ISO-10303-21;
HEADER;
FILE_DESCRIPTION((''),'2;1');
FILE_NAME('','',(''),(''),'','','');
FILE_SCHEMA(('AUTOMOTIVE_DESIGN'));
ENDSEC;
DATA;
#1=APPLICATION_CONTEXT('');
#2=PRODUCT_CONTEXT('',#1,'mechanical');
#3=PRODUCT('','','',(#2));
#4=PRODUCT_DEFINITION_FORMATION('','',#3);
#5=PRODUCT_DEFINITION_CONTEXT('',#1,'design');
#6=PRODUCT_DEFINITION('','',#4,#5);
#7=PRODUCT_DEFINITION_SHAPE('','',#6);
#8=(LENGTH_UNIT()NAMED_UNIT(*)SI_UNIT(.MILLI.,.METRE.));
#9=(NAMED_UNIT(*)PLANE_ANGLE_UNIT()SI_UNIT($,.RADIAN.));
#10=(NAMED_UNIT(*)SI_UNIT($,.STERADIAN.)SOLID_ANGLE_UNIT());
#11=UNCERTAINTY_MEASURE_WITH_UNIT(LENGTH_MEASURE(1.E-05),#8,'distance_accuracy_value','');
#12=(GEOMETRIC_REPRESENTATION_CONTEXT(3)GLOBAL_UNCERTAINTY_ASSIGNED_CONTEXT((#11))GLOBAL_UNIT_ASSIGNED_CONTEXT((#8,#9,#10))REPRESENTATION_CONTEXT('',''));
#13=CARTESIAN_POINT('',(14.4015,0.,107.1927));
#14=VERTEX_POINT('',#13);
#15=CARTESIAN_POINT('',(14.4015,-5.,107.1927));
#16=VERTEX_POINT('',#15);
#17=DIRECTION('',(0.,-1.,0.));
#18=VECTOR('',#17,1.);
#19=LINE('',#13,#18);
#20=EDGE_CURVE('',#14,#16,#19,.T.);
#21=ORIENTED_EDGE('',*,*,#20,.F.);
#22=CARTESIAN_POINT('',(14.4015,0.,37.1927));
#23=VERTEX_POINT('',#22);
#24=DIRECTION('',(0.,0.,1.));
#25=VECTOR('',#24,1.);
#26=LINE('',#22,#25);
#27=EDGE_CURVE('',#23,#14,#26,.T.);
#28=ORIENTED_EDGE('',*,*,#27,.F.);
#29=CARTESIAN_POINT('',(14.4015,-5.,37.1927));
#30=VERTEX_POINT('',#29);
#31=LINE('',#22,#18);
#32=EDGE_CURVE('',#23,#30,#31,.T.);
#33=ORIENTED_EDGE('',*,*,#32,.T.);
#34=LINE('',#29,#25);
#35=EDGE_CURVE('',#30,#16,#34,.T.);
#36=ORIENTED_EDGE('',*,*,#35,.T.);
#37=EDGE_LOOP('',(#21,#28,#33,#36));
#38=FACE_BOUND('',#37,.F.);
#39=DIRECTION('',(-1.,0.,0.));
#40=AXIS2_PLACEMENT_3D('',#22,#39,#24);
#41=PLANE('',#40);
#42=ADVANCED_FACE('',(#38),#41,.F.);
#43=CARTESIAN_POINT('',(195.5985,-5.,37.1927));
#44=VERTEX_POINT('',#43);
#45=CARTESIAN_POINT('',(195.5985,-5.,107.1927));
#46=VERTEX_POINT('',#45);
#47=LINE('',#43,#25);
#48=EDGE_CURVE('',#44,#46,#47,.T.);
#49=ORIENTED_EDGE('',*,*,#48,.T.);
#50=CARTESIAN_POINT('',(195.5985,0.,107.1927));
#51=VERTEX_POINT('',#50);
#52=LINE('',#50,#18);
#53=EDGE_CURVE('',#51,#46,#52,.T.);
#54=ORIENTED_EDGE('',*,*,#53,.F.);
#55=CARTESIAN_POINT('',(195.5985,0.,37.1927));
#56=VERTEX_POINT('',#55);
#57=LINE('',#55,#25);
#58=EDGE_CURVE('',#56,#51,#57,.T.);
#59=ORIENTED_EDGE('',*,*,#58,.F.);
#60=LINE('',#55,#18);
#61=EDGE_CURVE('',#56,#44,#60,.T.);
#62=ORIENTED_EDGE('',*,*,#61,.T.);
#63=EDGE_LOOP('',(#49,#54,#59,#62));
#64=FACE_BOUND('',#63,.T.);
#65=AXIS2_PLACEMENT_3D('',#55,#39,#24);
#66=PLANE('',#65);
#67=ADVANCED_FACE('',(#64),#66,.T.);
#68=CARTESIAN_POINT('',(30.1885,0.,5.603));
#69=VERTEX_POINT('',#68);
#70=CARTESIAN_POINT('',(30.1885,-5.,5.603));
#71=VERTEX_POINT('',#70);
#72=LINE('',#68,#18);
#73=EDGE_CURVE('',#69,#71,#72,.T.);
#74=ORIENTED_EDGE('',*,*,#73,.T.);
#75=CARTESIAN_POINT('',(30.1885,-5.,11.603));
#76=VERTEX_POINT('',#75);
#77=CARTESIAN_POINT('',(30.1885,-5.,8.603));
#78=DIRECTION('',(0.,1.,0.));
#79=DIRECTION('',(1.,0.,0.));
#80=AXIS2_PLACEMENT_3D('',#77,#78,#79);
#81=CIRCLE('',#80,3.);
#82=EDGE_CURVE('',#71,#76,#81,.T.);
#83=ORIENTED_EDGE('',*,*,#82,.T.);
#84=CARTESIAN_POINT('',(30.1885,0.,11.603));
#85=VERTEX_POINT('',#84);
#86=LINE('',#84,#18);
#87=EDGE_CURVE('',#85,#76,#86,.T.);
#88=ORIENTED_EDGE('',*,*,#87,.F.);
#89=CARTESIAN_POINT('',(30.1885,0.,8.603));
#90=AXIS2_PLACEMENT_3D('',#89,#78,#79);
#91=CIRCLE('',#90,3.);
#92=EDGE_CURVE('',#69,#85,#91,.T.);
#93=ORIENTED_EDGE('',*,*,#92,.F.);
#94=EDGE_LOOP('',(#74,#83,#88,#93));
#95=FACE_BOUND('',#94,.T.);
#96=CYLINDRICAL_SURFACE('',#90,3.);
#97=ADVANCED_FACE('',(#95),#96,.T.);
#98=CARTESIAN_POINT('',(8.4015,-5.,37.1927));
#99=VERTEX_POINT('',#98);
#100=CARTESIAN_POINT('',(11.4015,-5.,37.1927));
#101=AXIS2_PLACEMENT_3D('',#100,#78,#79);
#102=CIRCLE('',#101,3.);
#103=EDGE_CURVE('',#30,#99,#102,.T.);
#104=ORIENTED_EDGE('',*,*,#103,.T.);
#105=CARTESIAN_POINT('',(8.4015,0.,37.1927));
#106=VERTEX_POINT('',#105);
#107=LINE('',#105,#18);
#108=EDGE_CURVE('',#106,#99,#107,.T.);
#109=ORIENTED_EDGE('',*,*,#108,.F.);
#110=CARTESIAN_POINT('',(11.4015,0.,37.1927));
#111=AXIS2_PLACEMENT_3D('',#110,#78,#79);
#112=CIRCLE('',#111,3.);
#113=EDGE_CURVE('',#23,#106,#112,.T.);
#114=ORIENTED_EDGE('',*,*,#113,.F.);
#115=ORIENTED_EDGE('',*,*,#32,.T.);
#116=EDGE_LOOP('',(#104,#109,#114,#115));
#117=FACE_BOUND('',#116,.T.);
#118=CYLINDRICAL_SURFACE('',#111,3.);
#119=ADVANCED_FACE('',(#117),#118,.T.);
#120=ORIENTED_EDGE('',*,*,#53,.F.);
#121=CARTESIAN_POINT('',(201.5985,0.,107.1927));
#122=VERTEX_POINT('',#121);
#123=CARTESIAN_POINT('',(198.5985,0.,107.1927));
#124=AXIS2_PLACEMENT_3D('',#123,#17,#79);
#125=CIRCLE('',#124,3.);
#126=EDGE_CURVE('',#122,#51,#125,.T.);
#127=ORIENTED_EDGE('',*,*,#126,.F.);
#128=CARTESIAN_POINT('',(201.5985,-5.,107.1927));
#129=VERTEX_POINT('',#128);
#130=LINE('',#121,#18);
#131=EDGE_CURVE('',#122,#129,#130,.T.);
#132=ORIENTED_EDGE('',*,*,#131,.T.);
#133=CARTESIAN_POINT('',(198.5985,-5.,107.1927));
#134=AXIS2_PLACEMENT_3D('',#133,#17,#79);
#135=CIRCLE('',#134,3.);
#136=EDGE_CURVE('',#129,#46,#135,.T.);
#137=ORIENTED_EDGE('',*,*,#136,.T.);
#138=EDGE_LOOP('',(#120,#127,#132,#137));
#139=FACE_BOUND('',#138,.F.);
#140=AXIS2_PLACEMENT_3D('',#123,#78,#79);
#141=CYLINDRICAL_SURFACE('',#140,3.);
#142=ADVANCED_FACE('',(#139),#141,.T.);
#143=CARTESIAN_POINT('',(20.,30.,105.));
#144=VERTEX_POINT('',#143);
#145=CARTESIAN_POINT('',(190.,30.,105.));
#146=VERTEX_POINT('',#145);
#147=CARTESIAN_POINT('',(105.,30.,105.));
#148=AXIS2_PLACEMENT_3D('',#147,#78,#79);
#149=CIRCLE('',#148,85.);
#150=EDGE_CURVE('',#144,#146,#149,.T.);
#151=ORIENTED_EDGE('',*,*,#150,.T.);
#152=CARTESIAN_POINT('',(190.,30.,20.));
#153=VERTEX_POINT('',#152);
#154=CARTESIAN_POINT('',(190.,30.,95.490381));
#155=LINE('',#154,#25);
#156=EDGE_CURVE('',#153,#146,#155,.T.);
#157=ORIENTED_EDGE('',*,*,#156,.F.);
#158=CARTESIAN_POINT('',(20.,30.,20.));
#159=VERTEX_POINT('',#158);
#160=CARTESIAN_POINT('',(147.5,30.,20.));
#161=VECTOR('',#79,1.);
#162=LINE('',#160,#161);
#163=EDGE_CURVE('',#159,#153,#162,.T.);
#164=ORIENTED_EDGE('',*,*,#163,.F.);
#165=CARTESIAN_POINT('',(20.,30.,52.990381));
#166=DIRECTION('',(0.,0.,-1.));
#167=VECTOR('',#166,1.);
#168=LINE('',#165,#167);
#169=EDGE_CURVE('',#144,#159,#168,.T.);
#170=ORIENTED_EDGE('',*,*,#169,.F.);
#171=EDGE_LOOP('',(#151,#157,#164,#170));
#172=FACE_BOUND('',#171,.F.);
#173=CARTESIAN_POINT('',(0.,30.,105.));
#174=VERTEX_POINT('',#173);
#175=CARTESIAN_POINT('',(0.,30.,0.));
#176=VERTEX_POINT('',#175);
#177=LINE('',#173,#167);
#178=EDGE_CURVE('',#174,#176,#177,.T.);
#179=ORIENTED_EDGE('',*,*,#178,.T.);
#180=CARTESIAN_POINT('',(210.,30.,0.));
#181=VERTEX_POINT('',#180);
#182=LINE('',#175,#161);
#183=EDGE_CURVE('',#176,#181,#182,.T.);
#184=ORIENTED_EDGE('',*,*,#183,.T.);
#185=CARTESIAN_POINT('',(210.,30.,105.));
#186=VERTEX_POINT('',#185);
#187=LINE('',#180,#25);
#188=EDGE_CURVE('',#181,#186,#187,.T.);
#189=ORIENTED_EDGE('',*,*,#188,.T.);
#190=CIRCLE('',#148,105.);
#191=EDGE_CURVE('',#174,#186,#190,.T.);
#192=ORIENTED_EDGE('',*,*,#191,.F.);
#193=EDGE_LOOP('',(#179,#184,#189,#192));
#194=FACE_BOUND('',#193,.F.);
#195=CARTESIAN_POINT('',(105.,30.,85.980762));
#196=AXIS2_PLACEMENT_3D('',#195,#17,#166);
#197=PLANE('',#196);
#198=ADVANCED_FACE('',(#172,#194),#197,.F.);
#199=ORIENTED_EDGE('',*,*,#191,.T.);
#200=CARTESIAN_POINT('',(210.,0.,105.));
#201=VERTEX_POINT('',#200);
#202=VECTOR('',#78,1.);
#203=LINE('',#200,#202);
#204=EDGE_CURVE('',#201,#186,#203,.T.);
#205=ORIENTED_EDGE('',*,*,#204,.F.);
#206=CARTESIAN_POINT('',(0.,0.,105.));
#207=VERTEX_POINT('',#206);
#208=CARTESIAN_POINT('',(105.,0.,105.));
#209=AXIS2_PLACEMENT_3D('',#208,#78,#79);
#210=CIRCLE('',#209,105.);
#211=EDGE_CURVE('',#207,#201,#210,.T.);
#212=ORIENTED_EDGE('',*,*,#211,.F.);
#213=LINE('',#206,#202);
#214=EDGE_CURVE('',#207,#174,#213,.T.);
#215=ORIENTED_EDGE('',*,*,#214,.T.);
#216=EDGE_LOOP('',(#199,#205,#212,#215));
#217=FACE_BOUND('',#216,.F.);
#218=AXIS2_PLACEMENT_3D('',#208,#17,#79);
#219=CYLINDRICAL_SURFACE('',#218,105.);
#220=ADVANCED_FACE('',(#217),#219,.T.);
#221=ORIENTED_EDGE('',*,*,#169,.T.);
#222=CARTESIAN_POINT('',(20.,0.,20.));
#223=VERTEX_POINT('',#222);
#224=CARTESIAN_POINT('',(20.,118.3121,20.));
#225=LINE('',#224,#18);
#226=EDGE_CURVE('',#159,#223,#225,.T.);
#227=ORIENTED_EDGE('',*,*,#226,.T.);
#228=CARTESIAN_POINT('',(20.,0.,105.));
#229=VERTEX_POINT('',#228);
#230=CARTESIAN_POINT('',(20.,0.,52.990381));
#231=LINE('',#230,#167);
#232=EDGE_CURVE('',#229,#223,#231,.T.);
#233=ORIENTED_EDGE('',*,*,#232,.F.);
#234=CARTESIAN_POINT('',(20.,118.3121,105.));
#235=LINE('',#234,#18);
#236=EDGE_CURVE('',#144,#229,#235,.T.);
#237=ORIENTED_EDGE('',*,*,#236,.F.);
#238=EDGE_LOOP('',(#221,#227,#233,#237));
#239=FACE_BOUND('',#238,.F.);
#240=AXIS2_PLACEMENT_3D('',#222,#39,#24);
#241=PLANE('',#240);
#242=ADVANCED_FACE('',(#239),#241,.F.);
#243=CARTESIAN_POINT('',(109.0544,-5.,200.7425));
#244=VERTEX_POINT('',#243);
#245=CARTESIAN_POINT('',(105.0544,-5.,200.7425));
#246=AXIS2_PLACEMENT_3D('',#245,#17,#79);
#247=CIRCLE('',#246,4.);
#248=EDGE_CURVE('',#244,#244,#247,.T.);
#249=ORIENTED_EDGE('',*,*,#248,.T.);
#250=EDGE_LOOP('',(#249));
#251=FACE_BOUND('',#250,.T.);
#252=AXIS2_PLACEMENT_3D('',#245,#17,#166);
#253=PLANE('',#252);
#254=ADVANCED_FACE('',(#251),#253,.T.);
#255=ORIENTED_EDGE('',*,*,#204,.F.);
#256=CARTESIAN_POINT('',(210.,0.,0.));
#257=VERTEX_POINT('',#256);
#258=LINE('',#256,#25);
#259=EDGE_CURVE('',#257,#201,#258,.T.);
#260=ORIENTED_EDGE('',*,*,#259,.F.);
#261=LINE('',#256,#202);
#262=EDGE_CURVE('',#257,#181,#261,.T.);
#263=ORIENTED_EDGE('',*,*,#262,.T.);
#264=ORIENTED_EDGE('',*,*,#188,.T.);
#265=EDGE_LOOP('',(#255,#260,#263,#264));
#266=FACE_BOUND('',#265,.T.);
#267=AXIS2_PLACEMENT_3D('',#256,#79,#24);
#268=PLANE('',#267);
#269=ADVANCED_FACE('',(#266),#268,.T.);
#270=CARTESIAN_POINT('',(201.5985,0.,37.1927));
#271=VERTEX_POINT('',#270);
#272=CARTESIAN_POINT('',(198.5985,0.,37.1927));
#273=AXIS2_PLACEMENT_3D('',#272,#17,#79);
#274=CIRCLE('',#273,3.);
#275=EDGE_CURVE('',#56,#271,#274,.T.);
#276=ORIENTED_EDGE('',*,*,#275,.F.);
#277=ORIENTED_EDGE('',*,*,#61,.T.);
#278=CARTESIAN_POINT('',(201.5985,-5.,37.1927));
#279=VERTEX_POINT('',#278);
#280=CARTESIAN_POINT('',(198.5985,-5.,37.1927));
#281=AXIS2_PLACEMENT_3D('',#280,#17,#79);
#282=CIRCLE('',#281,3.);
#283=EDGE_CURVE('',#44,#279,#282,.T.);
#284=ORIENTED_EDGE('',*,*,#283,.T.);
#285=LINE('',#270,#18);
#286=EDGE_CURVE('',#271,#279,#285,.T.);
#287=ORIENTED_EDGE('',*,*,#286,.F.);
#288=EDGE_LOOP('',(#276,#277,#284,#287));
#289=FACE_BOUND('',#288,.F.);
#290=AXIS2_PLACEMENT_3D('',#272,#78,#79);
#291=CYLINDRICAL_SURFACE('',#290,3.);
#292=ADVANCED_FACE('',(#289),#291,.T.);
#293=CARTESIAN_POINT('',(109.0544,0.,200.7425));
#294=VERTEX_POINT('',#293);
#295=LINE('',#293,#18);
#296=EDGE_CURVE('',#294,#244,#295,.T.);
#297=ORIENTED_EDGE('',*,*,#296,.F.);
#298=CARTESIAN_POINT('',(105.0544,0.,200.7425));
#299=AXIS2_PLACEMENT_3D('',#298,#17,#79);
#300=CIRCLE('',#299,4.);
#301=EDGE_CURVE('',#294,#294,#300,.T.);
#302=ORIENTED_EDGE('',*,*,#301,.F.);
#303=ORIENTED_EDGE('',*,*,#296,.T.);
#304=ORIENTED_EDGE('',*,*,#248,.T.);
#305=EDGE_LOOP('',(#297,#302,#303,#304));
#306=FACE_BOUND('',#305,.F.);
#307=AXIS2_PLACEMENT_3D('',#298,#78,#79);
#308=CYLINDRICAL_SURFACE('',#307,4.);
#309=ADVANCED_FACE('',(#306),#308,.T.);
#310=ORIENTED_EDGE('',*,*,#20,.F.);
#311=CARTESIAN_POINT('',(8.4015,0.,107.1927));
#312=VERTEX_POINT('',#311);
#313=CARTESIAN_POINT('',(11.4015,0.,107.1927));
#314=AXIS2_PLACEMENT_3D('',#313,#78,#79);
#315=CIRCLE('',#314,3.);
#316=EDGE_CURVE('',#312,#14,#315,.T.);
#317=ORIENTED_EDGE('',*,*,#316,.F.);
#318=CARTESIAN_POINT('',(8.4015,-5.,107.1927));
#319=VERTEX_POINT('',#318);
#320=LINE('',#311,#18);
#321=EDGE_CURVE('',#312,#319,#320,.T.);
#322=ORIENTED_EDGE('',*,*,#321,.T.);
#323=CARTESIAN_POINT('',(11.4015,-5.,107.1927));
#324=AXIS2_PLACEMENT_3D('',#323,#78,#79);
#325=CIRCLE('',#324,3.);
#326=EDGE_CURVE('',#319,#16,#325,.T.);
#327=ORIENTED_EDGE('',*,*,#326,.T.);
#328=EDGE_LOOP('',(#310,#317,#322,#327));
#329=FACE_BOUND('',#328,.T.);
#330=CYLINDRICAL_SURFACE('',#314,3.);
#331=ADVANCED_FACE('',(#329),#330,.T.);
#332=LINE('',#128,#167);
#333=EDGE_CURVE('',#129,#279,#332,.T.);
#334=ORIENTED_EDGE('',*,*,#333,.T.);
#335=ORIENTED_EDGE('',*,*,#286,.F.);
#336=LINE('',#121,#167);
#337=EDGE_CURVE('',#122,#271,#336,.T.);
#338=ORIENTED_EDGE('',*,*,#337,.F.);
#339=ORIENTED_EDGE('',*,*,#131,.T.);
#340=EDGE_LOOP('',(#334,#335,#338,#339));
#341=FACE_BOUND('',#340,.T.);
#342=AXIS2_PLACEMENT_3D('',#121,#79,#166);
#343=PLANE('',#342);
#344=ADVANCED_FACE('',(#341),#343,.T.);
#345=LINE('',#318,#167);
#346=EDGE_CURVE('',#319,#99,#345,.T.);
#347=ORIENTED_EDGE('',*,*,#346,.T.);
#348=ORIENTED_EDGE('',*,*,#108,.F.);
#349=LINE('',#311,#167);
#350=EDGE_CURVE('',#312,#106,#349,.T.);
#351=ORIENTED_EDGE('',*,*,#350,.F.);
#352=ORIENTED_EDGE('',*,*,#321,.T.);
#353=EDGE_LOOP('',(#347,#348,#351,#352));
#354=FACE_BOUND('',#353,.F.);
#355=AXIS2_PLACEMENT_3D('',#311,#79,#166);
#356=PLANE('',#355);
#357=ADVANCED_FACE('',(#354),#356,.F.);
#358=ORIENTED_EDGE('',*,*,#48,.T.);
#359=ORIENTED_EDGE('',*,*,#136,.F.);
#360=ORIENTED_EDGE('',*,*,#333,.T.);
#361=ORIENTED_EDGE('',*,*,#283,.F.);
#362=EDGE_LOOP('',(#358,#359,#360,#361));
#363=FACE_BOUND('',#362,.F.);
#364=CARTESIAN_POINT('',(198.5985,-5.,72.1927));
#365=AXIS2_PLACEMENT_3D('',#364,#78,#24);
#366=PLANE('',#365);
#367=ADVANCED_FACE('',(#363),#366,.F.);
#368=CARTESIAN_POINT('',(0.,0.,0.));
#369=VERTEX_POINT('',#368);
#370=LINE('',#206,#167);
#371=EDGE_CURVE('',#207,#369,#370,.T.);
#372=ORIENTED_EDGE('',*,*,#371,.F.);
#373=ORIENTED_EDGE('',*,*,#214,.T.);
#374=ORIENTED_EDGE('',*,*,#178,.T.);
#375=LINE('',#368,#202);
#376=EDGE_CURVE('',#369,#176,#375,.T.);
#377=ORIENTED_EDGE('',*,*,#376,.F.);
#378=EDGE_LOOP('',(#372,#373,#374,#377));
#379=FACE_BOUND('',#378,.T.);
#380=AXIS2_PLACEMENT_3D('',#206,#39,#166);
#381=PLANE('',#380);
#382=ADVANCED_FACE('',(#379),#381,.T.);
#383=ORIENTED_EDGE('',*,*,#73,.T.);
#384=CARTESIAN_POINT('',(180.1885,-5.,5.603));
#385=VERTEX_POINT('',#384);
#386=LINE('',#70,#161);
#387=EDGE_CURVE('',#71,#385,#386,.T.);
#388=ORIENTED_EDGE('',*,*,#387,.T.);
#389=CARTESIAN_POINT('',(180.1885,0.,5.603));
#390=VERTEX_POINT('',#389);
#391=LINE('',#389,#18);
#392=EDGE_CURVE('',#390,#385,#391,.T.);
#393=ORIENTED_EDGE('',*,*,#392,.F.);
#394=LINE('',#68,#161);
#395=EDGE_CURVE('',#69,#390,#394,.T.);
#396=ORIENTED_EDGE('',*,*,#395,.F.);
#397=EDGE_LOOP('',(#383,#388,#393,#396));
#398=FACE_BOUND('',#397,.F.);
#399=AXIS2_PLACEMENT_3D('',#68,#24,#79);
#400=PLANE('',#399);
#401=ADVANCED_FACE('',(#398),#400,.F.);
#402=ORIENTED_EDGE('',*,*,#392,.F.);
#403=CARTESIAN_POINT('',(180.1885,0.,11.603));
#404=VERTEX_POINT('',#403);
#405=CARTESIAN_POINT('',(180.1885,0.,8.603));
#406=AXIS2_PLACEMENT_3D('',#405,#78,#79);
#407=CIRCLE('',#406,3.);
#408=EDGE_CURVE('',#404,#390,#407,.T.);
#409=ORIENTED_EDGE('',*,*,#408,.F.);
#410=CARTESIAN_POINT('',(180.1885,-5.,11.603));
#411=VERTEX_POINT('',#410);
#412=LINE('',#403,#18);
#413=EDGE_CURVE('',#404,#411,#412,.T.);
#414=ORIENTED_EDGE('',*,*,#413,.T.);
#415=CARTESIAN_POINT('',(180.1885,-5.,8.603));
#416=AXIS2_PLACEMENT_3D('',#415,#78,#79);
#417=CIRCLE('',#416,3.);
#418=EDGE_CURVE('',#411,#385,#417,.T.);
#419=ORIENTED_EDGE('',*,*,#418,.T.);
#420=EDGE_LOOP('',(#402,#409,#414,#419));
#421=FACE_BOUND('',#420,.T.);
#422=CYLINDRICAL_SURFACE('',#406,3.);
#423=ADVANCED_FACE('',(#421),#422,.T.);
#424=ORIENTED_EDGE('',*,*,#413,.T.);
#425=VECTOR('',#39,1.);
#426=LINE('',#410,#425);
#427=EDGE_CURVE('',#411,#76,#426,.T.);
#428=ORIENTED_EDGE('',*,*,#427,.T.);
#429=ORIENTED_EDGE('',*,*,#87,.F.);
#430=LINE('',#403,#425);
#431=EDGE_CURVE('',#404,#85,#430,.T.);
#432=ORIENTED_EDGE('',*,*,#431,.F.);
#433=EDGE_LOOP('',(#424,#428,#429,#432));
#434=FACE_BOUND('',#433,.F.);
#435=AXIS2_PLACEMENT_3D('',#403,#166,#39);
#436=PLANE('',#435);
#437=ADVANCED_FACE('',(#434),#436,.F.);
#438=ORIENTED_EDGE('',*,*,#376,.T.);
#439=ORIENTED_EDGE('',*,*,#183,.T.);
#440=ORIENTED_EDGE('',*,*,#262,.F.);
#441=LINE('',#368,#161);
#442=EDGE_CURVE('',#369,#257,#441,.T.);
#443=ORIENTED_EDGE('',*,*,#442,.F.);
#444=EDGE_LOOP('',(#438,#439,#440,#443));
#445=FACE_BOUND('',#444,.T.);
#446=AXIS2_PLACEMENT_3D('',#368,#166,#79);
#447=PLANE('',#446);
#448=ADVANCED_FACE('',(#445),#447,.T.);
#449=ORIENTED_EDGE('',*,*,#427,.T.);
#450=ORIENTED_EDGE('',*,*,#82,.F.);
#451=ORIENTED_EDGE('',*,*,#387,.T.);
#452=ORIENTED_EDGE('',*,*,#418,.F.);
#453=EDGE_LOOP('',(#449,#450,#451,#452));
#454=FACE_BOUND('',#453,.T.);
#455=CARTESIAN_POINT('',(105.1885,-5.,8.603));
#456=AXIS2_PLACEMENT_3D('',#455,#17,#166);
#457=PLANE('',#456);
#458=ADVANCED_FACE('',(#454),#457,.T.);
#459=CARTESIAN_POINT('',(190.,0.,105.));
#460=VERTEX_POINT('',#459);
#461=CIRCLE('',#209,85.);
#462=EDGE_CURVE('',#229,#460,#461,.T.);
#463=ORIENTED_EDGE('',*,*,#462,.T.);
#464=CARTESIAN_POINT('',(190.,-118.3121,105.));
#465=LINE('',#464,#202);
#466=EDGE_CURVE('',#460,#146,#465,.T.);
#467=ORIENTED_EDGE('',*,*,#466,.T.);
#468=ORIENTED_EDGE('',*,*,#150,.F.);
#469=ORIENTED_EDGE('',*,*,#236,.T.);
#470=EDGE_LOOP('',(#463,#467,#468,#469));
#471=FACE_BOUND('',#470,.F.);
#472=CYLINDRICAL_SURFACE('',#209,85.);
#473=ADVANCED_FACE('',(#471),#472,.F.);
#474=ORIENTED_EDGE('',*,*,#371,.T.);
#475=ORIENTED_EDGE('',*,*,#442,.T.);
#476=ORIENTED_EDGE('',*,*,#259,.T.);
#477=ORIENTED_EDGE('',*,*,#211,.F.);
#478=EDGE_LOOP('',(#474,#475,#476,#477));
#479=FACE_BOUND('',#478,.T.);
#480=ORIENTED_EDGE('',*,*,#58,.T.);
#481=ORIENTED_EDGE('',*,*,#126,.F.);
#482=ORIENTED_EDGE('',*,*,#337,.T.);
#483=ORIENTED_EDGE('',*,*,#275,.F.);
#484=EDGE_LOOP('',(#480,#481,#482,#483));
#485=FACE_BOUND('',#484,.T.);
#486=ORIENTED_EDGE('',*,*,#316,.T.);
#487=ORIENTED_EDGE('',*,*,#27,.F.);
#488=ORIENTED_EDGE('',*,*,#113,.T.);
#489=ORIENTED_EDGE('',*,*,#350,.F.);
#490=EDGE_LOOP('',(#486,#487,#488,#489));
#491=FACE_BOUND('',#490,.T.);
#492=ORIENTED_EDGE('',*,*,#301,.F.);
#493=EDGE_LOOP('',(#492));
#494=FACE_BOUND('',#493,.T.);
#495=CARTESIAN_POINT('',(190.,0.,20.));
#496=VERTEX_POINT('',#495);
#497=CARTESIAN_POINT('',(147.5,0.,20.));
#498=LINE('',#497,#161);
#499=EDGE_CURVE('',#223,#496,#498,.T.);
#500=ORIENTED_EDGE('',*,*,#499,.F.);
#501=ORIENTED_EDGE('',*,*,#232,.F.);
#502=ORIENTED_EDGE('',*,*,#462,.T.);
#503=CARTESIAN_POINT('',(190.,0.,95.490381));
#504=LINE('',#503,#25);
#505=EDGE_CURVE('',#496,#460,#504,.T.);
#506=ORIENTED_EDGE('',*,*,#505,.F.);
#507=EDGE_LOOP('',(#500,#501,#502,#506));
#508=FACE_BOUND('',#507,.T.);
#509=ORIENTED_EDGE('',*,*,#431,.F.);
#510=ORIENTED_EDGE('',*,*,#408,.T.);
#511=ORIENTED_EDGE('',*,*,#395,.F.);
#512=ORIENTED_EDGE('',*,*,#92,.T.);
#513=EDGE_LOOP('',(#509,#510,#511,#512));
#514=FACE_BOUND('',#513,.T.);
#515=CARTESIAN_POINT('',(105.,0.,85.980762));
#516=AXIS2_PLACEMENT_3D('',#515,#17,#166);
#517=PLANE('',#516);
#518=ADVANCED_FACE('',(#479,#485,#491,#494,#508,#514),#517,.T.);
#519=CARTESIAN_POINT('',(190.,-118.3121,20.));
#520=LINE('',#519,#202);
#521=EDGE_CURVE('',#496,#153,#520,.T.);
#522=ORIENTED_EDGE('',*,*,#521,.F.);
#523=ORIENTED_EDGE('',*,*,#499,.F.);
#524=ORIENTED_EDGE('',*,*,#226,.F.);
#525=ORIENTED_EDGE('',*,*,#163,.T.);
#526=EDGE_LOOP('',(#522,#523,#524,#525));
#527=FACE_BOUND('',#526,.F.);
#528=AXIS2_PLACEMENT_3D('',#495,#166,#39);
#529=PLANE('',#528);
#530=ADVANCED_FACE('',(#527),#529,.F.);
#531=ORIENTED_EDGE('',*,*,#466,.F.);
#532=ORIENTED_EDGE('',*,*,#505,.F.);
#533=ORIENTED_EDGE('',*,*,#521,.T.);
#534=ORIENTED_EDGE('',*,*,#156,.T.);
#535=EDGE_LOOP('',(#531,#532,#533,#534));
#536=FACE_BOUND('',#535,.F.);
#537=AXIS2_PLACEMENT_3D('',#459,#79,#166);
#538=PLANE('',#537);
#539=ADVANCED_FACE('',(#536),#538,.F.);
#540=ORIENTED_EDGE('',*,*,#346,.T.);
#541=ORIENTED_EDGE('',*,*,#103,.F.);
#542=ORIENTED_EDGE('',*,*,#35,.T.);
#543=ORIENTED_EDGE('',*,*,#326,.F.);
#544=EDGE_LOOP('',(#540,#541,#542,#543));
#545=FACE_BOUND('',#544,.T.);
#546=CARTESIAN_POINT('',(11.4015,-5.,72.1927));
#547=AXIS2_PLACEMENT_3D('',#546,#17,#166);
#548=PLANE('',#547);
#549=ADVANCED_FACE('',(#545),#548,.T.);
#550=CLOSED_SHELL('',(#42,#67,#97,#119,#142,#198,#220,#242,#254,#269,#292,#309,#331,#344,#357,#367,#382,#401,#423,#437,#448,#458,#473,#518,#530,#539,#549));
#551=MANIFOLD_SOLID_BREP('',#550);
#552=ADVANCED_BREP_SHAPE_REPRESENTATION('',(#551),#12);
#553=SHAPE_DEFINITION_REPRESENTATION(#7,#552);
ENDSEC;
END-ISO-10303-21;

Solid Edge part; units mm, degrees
sketch "Sketch1" plane through (0, 0, 0) normal (0, -1, 0) x (1, 0, 0)
  line L0 (210, 0) -> (210, 105)
  line L1 (0, 0) -> (210, 0)
  line L2 (0, 105) -> (0, 0)
  arc A0 (0, 105) -> (210, 105) centre (105, 105) cw
extrude "Protrusion1" add sketch "Sketch1" against normal blind 30
sketch "Sketch2" plane through (0, 0, 0) normal (0, -1, 0) x (1, 0, 0)
  arc A0 (20, 105) -> (190, 105) centre (105, 105) cw
  line L0 (190, 105) -> (190, 20)
  line L1 (190, 20) -> (20, 20)
  line L2 (20, 20) -> (20, 105)
extrude "ExtrudedCutout_2" cut sketch "Sketch2" along normal mid plane 236.6242
sketch "Sketch3" plane through (0, 0, 0) normal (0, -1, 0) x (1, 0, 0)
  circle A0 centre (105.0544, 200.7425) radius 4
  line L0 (8.4015, 107.1927) -> (8.4015, 37.1927)
  line L1 (14.4015, 37.1927) -> (14.4015, 107.1927)
  arc A1 (14.4015, 37.1927) -> (8.4015, 37.1927) centre (11.4015, 37.1927) cw
  arc A2 (8.4015, 107.1927) -> (14.4015, 107.1927) centre (11.4015, 107.1927) cw
  line L2 (195.5985, 37.1927) -> (195.5985, 107.1927)
  arc A3 (201.5985, 107.1927) -> (195.5985, 107.1927) centre (198.5985, 107.1927) ccw
  line L3 (201.5985, 107.1927) -> (201.5985, 37.1927)
  arc A4 (195.5985, 37.1927) -> (201.5985, 37.1927) centre (198.5985, 37.1927) ccw
  line L4 (180.1885, 11.603) -> (30.1885, 11.603)
  line L5 (30.1885, 5.603) -> (180.1885, 5.603)
  arc A5 (30.1885, 5.603) -> (30.1885, 11.603) centre (30.1885, 8.603) cw
  arc A6 (180.1885, 11.603) -> (180.1885, 5.603) centre (180.1885, 8.603) cw
extrude "ExtrudedProtrusion_4" add sketch "Sketch3" along normal blind 5
